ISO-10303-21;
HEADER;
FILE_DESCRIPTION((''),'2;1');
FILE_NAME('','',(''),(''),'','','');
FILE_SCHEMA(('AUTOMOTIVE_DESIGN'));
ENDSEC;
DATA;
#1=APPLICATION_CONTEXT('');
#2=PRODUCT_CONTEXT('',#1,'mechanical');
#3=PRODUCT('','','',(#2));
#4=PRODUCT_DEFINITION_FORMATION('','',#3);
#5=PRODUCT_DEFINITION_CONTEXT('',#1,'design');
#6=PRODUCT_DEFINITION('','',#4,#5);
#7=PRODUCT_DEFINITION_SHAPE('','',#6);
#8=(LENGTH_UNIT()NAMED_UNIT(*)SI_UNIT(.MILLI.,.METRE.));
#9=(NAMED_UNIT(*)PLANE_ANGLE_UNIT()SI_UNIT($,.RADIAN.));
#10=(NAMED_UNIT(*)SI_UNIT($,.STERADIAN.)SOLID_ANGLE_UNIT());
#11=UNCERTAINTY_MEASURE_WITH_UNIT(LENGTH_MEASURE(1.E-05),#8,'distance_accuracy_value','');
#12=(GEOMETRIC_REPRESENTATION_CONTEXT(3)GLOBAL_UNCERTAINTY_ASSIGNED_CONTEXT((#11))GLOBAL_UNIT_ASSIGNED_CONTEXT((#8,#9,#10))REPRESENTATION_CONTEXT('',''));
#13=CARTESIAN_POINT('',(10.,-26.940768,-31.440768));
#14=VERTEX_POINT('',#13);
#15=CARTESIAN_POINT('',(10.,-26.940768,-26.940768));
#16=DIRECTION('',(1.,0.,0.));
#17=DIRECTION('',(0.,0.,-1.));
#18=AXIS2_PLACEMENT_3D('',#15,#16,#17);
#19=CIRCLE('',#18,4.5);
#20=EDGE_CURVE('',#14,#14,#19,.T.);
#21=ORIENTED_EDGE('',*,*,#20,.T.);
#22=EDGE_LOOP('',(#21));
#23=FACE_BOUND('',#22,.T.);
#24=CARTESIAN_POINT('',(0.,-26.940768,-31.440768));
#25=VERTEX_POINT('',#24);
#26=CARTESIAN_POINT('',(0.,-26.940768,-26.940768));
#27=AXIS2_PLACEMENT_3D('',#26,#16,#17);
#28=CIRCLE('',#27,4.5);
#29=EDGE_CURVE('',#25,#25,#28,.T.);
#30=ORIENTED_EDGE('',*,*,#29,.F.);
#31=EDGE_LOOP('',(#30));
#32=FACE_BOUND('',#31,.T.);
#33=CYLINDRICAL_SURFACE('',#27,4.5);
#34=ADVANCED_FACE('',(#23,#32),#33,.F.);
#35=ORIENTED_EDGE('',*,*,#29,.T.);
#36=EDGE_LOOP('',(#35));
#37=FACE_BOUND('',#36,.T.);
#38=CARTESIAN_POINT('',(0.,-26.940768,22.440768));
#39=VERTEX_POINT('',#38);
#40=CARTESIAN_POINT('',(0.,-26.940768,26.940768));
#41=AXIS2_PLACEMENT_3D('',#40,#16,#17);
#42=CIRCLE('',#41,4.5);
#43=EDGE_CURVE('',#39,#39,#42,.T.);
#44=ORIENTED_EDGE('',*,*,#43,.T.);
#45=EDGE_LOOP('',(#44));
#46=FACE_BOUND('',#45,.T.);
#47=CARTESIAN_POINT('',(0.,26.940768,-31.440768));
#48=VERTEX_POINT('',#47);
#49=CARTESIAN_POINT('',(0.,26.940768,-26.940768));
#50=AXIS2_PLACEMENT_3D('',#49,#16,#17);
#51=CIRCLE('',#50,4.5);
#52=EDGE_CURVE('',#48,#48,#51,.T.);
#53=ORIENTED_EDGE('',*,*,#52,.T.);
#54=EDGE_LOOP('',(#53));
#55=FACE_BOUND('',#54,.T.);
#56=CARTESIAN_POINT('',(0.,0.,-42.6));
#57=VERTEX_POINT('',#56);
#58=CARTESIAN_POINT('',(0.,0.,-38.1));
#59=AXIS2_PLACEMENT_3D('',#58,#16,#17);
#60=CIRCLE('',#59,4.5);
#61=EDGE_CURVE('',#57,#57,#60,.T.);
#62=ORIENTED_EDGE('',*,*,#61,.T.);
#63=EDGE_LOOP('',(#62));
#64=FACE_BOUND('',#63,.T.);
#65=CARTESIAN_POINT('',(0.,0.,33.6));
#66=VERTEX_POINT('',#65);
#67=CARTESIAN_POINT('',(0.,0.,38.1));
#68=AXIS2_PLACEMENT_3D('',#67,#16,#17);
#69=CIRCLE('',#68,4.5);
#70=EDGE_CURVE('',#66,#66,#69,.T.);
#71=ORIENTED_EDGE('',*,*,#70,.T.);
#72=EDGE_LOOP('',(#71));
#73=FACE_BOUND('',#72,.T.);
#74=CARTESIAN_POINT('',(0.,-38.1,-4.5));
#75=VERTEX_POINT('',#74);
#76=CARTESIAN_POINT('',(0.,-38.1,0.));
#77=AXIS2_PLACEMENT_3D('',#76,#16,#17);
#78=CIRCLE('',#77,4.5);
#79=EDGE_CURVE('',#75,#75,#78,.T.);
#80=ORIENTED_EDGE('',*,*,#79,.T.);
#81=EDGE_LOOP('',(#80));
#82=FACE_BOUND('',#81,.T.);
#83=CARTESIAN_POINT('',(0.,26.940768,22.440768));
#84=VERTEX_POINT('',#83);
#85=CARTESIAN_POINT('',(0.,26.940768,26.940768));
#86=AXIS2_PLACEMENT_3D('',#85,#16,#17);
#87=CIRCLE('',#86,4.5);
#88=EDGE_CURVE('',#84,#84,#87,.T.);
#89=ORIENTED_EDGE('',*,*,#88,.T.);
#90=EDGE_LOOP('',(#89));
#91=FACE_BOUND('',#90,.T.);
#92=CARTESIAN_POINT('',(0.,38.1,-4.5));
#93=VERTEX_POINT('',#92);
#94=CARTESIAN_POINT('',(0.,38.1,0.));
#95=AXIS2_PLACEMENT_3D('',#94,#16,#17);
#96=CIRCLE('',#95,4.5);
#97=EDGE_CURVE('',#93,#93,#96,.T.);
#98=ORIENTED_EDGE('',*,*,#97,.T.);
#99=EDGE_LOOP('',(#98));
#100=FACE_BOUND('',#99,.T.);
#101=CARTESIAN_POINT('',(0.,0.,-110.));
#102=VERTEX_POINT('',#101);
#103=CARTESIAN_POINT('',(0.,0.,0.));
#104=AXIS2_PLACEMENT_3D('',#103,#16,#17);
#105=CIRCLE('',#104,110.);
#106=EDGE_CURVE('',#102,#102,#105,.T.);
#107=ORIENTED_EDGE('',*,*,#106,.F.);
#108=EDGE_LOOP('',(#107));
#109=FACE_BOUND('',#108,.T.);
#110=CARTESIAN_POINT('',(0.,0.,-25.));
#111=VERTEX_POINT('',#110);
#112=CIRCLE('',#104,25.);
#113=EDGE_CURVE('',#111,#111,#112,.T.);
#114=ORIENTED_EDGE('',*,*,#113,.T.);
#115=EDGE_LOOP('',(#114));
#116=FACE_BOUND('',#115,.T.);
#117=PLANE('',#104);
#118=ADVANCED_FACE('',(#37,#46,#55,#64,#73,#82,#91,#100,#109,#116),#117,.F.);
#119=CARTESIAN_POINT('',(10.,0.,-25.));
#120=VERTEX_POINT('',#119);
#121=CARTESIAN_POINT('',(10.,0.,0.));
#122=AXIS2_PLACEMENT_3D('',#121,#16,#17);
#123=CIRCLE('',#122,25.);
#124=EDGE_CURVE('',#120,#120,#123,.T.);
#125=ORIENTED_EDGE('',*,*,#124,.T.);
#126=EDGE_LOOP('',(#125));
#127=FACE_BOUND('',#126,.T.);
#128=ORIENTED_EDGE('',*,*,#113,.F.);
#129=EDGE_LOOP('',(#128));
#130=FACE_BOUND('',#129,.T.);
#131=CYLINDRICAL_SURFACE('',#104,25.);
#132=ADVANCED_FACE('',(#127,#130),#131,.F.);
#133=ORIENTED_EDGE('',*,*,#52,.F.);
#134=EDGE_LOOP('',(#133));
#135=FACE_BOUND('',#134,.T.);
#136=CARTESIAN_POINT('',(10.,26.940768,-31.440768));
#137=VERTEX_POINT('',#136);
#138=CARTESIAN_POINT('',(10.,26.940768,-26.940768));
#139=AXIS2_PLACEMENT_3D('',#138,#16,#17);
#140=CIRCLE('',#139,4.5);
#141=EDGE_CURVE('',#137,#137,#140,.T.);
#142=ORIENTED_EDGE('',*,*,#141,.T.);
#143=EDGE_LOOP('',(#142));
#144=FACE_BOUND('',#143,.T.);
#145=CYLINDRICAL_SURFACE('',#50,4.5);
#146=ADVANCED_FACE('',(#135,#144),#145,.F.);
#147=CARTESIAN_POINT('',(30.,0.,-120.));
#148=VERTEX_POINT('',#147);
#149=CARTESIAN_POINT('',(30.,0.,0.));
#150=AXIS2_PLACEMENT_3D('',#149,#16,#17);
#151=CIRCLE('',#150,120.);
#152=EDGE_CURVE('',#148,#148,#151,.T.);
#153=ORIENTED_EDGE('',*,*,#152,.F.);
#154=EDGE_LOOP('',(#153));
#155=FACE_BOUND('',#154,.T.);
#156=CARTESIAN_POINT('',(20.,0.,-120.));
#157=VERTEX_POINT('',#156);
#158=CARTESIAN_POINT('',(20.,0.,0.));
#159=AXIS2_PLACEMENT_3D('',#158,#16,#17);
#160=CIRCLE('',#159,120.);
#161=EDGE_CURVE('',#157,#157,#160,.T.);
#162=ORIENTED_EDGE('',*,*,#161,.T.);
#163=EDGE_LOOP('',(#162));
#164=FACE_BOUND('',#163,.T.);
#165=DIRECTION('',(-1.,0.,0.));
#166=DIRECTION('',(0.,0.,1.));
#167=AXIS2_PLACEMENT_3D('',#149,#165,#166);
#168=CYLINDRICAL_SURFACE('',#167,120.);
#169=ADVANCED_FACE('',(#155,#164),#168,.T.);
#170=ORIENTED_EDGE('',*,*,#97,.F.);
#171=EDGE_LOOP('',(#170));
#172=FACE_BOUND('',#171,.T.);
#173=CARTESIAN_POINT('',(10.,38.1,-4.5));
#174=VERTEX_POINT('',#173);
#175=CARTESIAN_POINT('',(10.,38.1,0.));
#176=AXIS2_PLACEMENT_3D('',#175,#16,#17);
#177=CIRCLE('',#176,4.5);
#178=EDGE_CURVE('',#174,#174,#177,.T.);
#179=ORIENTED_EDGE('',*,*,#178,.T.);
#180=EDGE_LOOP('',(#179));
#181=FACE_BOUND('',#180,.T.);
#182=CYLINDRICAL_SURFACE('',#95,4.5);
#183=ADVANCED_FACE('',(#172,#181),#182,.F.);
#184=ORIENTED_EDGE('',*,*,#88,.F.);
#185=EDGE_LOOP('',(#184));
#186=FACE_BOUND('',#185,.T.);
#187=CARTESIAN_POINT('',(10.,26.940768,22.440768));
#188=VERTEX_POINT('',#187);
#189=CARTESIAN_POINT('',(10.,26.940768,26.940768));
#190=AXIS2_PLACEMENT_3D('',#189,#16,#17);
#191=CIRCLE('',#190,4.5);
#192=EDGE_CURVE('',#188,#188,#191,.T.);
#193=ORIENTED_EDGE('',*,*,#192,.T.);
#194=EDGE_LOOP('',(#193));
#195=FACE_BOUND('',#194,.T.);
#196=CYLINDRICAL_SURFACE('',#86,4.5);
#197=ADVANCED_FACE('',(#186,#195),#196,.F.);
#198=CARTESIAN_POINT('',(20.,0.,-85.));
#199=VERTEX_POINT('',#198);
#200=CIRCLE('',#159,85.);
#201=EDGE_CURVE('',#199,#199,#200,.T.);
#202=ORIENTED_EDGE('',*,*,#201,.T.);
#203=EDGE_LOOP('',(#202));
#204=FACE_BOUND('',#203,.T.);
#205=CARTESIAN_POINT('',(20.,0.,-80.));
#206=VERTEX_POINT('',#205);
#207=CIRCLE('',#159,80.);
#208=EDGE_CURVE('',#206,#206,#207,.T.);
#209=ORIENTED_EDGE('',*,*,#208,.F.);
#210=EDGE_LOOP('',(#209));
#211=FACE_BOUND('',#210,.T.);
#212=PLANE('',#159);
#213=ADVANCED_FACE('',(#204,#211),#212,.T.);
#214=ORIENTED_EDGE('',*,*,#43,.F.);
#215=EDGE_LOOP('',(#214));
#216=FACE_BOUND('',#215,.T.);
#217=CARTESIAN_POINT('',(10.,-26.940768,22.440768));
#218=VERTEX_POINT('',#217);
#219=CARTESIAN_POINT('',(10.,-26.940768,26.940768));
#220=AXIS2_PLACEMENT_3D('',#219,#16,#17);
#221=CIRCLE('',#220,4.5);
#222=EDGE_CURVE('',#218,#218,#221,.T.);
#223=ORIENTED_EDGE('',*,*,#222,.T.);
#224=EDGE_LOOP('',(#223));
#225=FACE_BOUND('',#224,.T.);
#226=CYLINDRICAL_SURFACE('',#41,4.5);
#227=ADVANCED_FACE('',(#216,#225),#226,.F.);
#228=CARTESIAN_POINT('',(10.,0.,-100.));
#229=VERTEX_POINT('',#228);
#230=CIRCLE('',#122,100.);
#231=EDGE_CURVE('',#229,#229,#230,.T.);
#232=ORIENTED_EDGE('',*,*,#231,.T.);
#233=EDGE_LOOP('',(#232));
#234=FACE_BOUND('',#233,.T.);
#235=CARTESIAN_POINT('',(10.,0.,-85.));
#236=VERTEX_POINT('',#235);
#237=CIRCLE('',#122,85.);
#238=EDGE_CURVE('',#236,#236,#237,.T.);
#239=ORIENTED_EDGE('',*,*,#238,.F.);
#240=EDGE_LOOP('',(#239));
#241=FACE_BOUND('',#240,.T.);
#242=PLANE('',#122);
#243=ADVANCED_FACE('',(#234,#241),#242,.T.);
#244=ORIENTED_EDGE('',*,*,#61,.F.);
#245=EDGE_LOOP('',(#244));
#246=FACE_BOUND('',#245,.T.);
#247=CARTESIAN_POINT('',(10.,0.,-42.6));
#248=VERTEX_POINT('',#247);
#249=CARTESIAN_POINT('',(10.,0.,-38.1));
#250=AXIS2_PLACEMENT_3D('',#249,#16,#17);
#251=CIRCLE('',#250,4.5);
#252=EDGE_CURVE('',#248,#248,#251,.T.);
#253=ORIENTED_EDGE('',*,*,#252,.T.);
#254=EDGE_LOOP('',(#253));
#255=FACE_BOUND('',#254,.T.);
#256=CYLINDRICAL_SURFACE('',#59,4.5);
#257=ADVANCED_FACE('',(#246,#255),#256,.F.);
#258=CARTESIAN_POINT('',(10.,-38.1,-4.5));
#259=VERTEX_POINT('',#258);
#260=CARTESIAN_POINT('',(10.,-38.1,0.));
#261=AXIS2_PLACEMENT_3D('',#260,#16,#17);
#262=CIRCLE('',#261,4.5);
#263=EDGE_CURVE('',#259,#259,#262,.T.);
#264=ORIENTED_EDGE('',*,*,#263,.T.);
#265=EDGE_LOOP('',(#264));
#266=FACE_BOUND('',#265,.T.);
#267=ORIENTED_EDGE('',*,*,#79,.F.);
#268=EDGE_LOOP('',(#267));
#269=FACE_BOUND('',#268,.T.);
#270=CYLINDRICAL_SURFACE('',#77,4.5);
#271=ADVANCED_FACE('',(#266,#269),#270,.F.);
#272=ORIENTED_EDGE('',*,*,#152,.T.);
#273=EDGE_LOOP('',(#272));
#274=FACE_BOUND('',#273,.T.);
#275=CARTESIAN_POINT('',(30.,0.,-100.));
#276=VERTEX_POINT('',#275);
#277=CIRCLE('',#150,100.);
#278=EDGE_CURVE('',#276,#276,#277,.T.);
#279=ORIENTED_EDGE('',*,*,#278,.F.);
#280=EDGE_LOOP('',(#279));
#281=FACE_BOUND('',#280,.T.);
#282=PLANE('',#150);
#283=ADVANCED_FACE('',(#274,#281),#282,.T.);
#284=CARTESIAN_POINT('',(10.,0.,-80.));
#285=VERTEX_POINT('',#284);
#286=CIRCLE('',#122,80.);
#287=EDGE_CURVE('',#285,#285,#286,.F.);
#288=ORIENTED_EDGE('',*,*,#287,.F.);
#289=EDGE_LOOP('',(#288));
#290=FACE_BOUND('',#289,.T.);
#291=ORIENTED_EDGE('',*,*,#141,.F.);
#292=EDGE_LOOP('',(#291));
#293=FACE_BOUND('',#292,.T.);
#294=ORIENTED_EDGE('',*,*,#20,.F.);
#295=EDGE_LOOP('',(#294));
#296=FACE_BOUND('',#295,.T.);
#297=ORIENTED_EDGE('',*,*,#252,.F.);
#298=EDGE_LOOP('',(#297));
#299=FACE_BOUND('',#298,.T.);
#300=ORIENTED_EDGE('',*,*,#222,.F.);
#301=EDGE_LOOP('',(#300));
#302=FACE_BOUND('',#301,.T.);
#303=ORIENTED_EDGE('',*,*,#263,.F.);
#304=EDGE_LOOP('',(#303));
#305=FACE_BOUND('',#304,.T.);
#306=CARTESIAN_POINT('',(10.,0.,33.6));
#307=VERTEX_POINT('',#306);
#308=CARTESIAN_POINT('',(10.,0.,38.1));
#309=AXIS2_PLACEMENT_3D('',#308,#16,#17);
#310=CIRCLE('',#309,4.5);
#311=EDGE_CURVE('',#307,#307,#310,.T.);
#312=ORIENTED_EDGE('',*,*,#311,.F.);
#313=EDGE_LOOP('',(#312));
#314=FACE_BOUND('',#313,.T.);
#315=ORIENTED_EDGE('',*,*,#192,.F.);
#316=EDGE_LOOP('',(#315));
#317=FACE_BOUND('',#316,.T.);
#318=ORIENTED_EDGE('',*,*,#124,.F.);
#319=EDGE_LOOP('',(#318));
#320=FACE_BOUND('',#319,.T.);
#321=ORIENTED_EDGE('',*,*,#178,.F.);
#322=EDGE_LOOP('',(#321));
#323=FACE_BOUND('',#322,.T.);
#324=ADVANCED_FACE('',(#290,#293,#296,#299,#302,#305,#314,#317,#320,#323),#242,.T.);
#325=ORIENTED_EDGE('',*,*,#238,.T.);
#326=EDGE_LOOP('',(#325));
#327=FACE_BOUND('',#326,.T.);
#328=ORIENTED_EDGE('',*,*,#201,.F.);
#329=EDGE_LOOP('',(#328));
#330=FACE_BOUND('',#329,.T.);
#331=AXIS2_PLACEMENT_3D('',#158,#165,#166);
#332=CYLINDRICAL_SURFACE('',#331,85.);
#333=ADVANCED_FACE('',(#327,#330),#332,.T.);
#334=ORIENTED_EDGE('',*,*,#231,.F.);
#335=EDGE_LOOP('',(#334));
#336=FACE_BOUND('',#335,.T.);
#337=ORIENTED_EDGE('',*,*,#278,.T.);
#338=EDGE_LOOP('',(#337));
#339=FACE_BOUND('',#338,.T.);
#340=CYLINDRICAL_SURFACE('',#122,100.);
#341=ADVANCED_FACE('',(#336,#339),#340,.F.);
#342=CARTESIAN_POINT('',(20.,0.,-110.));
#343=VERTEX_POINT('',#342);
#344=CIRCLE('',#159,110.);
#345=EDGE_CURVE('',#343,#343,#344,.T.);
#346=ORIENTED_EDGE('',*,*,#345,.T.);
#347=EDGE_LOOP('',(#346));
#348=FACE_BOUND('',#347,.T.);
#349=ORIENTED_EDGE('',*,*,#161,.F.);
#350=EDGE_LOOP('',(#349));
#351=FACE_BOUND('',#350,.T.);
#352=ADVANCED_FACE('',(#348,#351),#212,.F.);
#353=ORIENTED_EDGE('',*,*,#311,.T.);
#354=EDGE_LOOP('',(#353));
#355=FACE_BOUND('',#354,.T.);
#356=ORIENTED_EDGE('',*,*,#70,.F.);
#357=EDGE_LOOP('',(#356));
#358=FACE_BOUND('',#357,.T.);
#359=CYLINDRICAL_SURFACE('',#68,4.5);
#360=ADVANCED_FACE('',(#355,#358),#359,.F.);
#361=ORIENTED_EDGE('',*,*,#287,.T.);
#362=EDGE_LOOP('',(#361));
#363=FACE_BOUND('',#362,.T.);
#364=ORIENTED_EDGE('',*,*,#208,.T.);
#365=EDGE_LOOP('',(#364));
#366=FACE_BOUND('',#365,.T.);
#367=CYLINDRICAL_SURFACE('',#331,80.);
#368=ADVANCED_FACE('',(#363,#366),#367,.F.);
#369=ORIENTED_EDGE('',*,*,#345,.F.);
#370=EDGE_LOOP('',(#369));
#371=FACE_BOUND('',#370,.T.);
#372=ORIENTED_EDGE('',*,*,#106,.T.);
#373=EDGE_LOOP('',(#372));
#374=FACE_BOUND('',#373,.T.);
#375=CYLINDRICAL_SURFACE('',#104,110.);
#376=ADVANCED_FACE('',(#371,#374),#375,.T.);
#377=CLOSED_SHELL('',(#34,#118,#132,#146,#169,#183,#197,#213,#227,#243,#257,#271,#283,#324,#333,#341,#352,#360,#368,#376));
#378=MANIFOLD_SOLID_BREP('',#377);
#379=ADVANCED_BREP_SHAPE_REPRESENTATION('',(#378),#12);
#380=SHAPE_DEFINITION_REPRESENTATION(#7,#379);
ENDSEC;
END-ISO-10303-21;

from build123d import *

# Parameters (mm, degrees)
SZKIC1_R                    = 120
DODANIE_WYCI_GNI_CIE1_DEPTH = 30
SZKIC2_R                    = 100
WYTNIJ_WYCI_GNI_CIE1_DEPTH  = 20
SZKIC3_R                    = 4.5
WYTNIJ_WYCI_GNI_CIE2_DEPTH  = 171.880074906
SZKIC4_R                    = 25
WYTNIJ_WYCI_GNI_CIE3_DEPTH  = 171.880074906
SZKIC5_R                    = 85
SZKIC5_R_2                  = 80
DODANIE_WYCI_GNI_CIE2_DEPTH = 10
WYTNIJ_WYCI_GNI_CIE4_START  = -30
SZKIC6_R                    = 120
SZKIC6_R_2                  = 110
WYTNIJ_WYCI_GNI_CIE4_DEPTH  = 20


with BuildPart() as part:
    # Szkic1 → Dodanie-wyciągnięcie1 (new body)
    with BuildSketch(Plane(origin=(0, 0, 0), x_dir=(0, 0, -1), z_dir=(1, 0, 0))):
        Circle(SZKIC1_R)
    extrude(amount=DODANIE_WYCI_GNI_CIE1_DEPTH)

    # Szkic2 → Wytnij-wyciągnięcie1 (cut)
    with BuildSketch(Plane(origin=(30, 0, 0), x_dir=(0, 0, -1), z_dir=(1, 0, 0))):
        Circle(SZKIC2_R)
    extrude(amount=-WYTNIJ_WYCI_GNI_CIE1_DEPTH, mode=Mode.SUBTRACT)

    # Szkic3 → Wytnij-wyciągnięcie2 (cut, through all)
    with BuildSketch(Plane(origin=(10, 0, 0), x_dir=(0, 0, -1), z_dir=(1, 0, 0))):
        with Locations((0, 38.1)):
            Circle(SZKIC3_R)
        with Locations((26.940768363, 26.940768363)):
            Circle(SZKIC3_R)
        with Locations((38.1, 0)):
            Circle(SZKIC3_R)
        with Locations((26.940768363, -26.940768363)):
            Circle(SZKIC3_R)
        with Locations((0, -38.1)):
            Circle(SZKIC3_R)
        with Locations((-26.940768363, -26.940768363)):
            Circle(SZKIC3_R)
        with Locations((-38.1, 0)):
            Circle(SZKIC3_R)
        with Locations((-26.940768363, 26.940768363)):
            Circle(SZKIC3_R)
    extrude(amount=-WYTNIJ_WYCI_GNI_CIE2_DEPTH, mode=Mode.SUBTRACT)

    # Szkic4 → Wytnij-wyciągnięcie3 (cut, through all)
    with BuildSketch(Plane(origin=(10, 0, 0), x_dir=(0, 0, -1), z_dir=(1, 0, 0))):
        Circle(SZKIC4_R)
    extrude(amount=-WYTNIJ_WYCI_GNI_CIE3_DEPTH, mode=Mode.SUBTRACT)

    # Szkic5 → Dodanie-wyciągnięcie2 (add)
    with BuildSketch(Plane(origin=(10, 0, 0), x_dir=(0, 0, -1), z_dir=(1, 0, 0))):
        Circle(SZKIC5_R)
        Circle(SZKIC5_R_2, mode=Mode.SUBTRACT)
    extrude(amount=DODANIE_WYCI_GNI_CIE2_DEPTH)

    # Szkic6 → Wytnij-wyciągnięcie4 (cut)
    with BuildSketch(Plane(origin=(30, 0, 0), x_dir=(0, 0, -1), z_dir=(1, 0, 0)).offset(WYTNIJ_WYCI_GNI_CIE4_START)):
        Circle(SZKIC6_R)
        Circle(SZKIC6_R_2, mode=Mode.SUBTRACT)
    extrude(amount=WYTNIJ_WYCI_GNI_CIE4_DEPTH, mode=Mode.SUBTRACT)


solid = part.part
